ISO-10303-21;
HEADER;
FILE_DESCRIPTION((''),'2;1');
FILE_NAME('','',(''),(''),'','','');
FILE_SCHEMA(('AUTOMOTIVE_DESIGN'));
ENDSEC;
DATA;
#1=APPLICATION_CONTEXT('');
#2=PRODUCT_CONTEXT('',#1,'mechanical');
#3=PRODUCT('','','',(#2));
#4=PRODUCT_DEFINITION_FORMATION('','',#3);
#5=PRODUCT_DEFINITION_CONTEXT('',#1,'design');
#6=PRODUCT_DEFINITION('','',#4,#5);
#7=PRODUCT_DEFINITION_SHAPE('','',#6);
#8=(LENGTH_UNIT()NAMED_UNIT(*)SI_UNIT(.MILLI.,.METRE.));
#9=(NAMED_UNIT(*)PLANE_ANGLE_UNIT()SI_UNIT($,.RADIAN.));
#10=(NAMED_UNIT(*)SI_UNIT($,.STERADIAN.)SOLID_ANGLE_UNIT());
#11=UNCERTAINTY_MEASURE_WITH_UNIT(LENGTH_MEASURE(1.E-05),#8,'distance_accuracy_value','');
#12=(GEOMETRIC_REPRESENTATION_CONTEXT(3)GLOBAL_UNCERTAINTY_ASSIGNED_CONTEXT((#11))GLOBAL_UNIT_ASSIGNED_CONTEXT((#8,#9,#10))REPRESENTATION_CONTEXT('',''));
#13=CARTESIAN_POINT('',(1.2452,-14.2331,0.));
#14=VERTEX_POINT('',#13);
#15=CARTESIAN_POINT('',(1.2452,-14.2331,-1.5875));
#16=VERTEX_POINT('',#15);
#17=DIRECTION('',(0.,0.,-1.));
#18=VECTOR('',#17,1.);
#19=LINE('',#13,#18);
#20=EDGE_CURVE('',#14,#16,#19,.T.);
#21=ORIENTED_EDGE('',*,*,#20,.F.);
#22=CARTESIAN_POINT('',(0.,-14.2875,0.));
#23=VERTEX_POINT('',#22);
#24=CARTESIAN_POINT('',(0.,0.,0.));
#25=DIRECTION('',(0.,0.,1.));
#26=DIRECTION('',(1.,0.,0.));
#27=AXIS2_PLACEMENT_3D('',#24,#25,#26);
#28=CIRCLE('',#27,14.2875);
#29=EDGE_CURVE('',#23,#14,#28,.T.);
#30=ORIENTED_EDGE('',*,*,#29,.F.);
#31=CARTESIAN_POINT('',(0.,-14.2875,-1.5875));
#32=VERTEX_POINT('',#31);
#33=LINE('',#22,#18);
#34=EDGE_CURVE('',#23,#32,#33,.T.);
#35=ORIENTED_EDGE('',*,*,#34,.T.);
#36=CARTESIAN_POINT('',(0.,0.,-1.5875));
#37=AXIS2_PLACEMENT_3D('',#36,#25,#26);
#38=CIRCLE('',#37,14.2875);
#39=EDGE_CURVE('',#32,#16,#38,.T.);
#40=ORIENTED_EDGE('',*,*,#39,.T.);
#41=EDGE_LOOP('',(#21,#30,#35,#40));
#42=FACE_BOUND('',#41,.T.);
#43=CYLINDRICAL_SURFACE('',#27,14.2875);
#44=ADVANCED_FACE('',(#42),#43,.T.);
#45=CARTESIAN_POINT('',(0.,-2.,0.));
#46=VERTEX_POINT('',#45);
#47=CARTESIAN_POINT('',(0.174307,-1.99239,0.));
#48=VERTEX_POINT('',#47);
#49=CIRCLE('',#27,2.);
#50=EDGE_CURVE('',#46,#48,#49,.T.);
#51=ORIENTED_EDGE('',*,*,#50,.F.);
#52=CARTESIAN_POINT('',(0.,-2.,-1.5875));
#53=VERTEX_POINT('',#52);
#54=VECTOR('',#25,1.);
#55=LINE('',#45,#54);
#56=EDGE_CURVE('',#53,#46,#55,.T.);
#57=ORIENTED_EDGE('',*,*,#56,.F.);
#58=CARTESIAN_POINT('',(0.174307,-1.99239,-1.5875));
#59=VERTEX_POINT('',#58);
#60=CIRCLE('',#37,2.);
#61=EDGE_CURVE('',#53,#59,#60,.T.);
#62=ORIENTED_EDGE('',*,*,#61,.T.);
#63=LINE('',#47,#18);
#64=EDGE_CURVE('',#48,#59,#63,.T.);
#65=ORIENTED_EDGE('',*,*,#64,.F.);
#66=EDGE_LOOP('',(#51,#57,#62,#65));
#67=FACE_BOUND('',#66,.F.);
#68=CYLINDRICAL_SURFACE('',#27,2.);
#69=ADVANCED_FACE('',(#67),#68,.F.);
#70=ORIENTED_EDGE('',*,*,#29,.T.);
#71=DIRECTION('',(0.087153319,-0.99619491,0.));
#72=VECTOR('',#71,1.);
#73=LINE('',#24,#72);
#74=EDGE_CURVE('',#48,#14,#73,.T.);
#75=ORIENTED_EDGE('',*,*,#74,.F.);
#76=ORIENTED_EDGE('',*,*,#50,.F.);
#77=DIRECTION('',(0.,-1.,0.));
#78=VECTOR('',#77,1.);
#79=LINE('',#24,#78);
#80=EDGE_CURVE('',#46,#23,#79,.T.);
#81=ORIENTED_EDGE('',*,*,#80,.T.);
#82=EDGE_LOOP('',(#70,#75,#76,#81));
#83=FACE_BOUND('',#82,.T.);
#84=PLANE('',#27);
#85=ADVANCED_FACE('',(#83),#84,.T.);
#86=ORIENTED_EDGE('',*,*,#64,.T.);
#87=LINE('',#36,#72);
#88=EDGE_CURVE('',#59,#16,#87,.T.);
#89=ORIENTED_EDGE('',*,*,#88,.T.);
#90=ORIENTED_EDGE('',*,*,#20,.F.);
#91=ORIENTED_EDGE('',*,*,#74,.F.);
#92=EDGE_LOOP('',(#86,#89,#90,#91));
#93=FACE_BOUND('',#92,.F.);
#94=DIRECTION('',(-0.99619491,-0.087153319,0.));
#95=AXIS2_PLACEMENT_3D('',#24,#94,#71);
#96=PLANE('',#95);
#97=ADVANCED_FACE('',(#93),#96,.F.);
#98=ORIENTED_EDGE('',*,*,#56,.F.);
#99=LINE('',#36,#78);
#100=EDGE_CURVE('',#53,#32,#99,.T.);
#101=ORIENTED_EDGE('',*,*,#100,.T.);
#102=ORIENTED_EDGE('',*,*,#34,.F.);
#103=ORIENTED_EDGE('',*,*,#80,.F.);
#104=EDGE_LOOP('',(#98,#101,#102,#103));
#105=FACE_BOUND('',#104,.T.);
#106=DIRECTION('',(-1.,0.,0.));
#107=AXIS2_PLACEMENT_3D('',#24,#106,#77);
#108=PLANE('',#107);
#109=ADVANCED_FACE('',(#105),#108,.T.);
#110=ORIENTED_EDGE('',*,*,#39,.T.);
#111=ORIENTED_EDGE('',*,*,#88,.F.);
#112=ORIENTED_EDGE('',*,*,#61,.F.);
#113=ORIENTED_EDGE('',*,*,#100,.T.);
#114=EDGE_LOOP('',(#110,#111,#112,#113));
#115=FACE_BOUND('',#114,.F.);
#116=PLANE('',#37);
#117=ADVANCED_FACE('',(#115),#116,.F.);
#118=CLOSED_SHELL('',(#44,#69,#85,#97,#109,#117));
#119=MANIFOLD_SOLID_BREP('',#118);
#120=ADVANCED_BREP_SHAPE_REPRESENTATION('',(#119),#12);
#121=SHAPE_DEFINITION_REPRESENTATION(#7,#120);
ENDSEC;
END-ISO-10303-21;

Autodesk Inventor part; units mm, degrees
ref_plane "YZ Plane" through (0, 0, 0) normal (1, 0, 0) x (0, 1, 0)
ref_plane "XZ Plane" through (0, 0, 0) normal (0, 1, 0) x (-1, 0, 0)
ref_plane "XY Plane" through (0, 0, 0) normal (0, 0, 1) x (1, 0, 0)
sketch "Sketch1" plane through (0, 0, 0) normal (0, 0, 1) x (1, 0, 0)
  circle A0 centre (0, 0) radius 14.2875
  line L0 (0, 0) -> (0, -14.2875)
  line L1 (0, 0) -> (1.2452, -14.2331)
  line L2 (0, 0) -> (14.2875, 0) construction
  dimension "d0" = 28.575
  dimension "d1" = 85
extrude "Extrusion1" add sketch "Sketch1" against normal blind 1.5875 contours L0 L1 A0 picked at (0.4154, -9.5149)
sketch "Sketch3" plane through (0, 0, 0) normal (0, 0, 1) x (1, 0, 0)
  line L0 (0, 0) -> (1.2452, -14.2331) projected
  circle A0 centre (0, 0) radius 2
  dimension "d4" = 4
extrude "Extrusion2" cut sketch "Sketch3" against normal blind 1.5875
properties part number "encoderDiscNotch" material "ABS Plastic"
